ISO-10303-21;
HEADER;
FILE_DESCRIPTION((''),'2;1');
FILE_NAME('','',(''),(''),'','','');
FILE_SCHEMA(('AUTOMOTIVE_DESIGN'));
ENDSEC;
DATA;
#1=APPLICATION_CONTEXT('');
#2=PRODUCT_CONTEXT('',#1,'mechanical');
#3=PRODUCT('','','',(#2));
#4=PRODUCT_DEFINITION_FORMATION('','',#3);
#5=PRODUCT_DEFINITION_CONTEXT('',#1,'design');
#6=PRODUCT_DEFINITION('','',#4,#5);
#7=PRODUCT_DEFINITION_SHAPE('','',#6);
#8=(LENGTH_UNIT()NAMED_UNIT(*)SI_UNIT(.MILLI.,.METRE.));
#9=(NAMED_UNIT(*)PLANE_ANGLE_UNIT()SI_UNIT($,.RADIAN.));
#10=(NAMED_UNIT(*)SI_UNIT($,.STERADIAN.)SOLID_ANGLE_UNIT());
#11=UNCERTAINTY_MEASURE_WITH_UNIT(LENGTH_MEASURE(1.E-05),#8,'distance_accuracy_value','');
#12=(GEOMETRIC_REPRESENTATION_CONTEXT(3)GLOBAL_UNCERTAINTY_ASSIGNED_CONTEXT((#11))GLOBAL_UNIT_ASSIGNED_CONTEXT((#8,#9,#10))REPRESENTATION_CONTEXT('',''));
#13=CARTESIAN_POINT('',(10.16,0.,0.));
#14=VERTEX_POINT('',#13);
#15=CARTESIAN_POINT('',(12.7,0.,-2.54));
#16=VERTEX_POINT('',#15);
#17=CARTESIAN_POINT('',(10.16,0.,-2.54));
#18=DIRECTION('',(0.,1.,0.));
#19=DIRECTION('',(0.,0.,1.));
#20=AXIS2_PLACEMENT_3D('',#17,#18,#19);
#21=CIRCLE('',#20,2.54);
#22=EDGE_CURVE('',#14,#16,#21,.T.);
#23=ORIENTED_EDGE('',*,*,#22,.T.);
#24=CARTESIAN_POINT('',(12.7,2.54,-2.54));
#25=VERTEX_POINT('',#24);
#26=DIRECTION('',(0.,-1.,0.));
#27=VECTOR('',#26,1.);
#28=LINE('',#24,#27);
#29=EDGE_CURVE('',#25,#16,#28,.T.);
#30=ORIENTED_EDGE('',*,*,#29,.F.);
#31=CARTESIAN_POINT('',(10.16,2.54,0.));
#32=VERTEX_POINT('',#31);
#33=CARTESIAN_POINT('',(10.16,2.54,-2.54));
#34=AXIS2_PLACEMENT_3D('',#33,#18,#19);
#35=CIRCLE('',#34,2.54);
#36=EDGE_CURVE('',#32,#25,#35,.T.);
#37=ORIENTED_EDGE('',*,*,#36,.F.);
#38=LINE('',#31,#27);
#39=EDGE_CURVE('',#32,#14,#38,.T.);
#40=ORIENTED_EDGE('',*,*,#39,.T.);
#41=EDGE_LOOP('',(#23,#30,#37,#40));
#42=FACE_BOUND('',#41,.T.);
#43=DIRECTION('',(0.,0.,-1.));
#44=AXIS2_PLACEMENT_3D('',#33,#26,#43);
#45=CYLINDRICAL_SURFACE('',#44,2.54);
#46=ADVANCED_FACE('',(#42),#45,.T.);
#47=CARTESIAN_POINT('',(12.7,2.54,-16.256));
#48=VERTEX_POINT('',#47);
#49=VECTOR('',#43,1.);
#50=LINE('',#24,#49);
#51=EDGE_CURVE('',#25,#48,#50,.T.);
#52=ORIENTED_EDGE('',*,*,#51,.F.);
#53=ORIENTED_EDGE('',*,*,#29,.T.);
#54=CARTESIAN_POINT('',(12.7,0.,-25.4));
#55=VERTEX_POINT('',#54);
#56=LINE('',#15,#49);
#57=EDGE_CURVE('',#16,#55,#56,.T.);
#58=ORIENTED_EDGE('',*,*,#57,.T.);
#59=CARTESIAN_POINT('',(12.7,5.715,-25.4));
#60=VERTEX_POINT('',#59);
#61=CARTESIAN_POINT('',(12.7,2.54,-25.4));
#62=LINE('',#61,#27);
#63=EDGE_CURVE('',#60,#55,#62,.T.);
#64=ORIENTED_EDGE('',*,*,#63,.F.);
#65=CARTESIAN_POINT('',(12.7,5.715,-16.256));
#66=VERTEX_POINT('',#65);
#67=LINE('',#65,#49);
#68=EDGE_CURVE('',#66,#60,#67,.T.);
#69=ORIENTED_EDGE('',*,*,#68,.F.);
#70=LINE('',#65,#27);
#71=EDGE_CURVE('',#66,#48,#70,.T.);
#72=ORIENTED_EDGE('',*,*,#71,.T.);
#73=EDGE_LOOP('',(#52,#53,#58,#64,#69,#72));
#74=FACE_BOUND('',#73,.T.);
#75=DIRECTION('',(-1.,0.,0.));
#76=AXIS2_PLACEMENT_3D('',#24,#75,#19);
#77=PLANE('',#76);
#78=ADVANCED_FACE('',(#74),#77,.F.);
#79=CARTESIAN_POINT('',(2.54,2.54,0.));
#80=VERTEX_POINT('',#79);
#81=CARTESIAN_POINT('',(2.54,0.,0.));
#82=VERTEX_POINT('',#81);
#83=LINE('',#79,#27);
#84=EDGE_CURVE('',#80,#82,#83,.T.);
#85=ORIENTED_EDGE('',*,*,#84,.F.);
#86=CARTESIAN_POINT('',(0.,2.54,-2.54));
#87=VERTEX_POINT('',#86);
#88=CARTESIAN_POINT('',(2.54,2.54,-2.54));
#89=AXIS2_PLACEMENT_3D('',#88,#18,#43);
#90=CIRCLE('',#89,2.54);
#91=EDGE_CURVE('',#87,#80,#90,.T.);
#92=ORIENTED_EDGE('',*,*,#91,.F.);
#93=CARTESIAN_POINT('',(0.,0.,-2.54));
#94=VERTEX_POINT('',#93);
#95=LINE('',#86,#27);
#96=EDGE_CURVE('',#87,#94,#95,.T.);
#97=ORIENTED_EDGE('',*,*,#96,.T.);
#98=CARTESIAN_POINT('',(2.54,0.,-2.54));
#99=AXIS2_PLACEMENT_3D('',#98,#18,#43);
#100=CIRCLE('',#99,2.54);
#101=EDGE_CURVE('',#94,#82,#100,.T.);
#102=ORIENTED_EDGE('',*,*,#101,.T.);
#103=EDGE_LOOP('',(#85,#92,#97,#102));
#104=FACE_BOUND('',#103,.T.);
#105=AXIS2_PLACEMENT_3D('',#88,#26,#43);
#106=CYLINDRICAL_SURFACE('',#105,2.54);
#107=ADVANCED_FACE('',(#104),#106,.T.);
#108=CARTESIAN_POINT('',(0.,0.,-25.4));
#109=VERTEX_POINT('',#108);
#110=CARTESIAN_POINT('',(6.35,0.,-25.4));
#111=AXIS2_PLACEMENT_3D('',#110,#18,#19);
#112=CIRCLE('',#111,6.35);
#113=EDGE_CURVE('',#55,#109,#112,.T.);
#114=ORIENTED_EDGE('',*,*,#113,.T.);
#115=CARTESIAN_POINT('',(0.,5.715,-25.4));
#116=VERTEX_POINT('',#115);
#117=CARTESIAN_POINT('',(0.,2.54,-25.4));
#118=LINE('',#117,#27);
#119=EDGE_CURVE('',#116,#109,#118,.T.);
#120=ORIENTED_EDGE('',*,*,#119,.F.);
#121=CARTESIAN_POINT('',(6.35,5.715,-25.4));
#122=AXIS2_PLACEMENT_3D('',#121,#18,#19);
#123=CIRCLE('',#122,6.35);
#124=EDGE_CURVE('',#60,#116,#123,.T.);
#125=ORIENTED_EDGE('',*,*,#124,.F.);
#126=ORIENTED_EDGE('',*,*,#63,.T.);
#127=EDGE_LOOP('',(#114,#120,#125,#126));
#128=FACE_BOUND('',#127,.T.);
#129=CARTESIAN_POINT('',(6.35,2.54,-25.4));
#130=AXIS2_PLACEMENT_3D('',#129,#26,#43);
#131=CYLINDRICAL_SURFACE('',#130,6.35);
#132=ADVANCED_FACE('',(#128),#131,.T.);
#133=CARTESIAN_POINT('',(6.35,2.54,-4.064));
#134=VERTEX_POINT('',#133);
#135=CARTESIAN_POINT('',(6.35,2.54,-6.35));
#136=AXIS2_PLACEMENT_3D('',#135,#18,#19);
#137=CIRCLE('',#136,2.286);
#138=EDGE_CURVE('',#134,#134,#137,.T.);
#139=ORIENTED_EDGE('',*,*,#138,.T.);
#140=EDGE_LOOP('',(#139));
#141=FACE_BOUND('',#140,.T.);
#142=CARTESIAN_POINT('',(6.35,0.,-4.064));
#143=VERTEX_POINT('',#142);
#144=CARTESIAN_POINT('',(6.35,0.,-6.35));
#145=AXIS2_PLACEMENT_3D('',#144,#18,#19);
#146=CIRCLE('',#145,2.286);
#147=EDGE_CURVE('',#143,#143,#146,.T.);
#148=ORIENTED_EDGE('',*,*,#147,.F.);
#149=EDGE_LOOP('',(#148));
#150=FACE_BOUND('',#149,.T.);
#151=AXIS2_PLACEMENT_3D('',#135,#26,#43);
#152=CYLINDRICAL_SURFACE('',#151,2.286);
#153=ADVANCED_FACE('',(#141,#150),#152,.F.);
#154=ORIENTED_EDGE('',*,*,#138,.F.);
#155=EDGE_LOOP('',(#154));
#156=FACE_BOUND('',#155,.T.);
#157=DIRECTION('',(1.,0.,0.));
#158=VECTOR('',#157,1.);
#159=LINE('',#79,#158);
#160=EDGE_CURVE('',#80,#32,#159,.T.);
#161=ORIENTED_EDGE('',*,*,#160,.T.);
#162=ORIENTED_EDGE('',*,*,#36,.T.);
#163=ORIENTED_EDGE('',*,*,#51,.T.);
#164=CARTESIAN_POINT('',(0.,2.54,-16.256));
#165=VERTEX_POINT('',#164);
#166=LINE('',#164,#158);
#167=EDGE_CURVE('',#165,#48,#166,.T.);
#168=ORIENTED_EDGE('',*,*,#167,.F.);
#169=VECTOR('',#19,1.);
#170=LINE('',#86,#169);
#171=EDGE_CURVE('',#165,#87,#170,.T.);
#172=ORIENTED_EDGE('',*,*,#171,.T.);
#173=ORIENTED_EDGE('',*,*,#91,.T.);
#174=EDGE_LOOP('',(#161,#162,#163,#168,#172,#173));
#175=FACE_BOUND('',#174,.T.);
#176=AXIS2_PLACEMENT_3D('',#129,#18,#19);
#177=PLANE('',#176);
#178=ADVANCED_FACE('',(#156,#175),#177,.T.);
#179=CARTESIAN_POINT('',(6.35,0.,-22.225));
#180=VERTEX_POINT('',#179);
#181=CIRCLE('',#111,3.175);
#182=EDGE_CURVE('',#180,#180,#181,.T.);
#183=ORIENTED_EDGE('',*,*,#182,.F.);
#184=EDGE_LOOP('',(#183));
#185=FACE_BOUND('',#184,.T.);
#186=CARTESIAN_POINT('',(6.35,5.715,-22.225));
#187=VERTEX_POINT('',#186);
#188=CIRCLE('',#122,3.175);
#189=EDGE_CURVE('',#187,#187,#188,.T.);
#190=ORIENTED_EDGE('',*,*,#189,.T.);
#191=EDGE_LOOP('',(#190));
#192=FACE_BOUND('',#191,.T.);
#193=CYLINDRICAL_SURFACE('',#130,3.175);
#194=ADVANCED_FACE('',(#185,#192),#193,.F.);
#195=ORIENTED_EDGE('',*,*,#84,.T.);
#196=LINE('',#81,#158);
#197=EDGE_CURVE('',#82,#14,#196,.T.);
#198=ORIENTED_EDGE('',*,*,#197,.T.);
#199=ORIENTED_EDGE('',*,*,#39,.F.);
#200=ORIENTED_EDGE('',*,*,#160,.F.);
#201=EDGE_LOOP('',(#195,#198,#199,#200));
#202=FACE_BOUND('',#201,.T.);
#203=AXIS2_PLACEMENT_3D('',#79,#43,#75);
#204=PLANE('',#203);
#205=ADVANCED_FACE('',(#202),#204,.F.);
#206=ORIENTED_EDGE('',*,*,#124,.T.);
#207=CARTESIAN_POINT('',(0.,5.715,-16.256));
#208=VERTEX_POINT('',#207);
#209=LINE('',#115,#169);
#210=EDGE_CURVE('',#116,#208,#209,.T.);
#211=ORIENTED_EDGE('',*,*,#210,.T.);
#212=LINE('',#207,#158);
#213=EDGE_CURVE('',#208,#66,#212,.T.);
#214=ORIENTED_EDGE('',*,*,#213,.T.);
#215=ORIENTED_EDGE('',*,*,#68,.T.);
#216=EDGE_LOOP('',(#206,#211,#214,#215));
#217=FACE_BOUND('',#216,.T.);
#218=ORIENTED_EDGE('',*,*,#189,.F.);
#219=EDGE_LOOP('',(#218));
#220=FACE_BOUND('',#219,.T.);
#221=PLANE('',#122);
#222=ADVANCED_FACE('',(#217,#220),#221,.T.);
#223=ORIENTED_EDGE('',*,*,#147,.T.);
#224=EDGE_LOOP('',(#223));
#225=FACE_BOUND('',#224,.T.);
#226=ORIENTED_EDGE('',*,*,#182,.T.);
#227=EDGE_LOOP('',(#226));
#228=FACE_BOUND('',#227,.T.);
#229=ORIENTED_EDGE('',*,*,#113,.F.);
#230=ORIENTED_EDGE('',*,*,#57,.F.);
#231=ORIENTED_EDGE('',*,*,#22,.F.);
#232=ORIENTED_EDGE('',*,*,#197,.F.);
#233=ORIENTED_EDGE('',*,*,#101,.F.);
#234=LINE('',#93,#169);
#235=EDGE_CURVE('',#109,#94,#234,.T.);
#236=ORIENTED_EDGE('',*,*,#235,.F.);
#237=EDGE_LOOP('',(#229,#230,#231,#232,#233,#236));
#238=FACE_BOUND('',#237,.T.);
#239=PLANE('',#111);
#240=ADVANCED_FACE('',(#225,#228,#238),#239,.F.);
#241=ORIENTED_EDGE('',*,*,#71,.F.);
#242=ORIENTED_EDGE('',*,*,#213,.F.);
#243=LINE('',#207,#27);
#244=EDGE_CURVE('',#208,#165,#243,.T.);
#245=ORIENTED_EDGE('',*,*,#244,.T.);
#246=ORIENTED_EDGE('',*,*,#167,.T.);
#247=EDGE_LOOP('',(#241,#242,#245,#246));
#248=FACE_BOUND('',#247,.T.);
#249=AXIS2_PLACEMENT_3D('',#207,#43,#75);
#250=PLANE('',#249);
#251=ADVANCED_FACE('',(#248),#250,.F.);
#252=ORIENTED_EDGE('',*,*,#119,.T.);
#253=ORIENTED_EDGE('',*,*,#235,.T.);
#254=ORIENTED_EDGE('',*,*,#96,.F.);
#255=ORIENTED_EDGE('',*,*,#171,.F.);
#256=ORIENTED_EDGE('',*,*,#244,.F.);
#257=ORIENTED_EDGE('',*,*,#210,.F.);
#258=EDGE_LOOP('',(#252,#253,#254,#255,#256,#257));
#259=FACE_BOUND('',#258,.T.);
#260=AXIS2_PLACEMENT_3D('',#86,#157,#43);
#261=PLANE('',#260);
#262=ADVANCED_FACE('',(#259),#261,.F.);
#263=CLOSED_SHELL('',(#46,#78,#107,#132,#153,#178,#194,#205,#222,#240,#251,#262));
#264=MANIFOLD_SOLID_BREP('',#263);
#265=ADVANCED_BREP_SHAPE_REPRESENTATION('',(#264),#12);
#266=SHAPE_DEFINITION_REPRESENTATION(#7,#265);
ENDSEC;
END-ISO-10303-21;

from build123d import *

# Parameters (mm, degrees)
SKETCH1_R           = 3.175
SKETCH1_R_2         = 2.286
BOSS_EXTRUDE1_DEPTH = 2.54
SKETCH2_R           = 3.175
BOSS_EXTRUDE2_DEPTH = 3.175


with BuildPart() as part:
    # Sketch1 → Boss-Extrude1 (new body)
    with BuildSketch(Plane(origin=(0, 0, 0), x_dir=(1, 0, 0), z_dir=(0, 1, 0))):
        with BuildLine():
            Line((2.54, 0), (10.16, 0))
            ThreePointArc((10.16, 0), (11.956051224, 0.743948776), (12.7, 2.54))
            Line((12.7, 2.54), (12.7, 25.4))
            ThreePointArc((12.7, 25.4), (6.35, 31.75), (0, 25.4))
            Line((0, 25.4), (0, 2.54))
            ThreePointArc((0, 2.54), (0.743948776, 0.743948776), (2.54, 0))
        make_face()
        with Locations((6.35, 25.4)):
            Circle(SKETCH1_R, mode=Mode.SUBTRACT)
        with Locations((6.35, 6.35)):
            Circle(SKETCH1_R_2, mode=Mode.SUBTRACT)
    extrude(amount=BOSS_EXTRUDE1_DEPTH)

    # Sketch2 → Boss-Extrude2 (add)
    with BuildSketch(Plane(origin=(0, 2.54, 0), x_dir=(1, 0, 0), z_dir=(0, 1, 0))):
        with BuildLine():
            Line((0, 25.4), (0, 16.256))
            Line((0, 16.256), (12.7, 16.256))
            Line((12.7, 16.256), (12.7, 25.4))
            ThreePointArc((12.7, 25.4), (6.35, 31.75), (0, 25.4))
        make_face()
        with Locations((6.35, 25.4)):
            Circle(SKETCH2_R, mode=Mode.SUBTRACT)
    extrude(amount=BOSS_EXTRUDE2_DEPTH)


solid = part.part
